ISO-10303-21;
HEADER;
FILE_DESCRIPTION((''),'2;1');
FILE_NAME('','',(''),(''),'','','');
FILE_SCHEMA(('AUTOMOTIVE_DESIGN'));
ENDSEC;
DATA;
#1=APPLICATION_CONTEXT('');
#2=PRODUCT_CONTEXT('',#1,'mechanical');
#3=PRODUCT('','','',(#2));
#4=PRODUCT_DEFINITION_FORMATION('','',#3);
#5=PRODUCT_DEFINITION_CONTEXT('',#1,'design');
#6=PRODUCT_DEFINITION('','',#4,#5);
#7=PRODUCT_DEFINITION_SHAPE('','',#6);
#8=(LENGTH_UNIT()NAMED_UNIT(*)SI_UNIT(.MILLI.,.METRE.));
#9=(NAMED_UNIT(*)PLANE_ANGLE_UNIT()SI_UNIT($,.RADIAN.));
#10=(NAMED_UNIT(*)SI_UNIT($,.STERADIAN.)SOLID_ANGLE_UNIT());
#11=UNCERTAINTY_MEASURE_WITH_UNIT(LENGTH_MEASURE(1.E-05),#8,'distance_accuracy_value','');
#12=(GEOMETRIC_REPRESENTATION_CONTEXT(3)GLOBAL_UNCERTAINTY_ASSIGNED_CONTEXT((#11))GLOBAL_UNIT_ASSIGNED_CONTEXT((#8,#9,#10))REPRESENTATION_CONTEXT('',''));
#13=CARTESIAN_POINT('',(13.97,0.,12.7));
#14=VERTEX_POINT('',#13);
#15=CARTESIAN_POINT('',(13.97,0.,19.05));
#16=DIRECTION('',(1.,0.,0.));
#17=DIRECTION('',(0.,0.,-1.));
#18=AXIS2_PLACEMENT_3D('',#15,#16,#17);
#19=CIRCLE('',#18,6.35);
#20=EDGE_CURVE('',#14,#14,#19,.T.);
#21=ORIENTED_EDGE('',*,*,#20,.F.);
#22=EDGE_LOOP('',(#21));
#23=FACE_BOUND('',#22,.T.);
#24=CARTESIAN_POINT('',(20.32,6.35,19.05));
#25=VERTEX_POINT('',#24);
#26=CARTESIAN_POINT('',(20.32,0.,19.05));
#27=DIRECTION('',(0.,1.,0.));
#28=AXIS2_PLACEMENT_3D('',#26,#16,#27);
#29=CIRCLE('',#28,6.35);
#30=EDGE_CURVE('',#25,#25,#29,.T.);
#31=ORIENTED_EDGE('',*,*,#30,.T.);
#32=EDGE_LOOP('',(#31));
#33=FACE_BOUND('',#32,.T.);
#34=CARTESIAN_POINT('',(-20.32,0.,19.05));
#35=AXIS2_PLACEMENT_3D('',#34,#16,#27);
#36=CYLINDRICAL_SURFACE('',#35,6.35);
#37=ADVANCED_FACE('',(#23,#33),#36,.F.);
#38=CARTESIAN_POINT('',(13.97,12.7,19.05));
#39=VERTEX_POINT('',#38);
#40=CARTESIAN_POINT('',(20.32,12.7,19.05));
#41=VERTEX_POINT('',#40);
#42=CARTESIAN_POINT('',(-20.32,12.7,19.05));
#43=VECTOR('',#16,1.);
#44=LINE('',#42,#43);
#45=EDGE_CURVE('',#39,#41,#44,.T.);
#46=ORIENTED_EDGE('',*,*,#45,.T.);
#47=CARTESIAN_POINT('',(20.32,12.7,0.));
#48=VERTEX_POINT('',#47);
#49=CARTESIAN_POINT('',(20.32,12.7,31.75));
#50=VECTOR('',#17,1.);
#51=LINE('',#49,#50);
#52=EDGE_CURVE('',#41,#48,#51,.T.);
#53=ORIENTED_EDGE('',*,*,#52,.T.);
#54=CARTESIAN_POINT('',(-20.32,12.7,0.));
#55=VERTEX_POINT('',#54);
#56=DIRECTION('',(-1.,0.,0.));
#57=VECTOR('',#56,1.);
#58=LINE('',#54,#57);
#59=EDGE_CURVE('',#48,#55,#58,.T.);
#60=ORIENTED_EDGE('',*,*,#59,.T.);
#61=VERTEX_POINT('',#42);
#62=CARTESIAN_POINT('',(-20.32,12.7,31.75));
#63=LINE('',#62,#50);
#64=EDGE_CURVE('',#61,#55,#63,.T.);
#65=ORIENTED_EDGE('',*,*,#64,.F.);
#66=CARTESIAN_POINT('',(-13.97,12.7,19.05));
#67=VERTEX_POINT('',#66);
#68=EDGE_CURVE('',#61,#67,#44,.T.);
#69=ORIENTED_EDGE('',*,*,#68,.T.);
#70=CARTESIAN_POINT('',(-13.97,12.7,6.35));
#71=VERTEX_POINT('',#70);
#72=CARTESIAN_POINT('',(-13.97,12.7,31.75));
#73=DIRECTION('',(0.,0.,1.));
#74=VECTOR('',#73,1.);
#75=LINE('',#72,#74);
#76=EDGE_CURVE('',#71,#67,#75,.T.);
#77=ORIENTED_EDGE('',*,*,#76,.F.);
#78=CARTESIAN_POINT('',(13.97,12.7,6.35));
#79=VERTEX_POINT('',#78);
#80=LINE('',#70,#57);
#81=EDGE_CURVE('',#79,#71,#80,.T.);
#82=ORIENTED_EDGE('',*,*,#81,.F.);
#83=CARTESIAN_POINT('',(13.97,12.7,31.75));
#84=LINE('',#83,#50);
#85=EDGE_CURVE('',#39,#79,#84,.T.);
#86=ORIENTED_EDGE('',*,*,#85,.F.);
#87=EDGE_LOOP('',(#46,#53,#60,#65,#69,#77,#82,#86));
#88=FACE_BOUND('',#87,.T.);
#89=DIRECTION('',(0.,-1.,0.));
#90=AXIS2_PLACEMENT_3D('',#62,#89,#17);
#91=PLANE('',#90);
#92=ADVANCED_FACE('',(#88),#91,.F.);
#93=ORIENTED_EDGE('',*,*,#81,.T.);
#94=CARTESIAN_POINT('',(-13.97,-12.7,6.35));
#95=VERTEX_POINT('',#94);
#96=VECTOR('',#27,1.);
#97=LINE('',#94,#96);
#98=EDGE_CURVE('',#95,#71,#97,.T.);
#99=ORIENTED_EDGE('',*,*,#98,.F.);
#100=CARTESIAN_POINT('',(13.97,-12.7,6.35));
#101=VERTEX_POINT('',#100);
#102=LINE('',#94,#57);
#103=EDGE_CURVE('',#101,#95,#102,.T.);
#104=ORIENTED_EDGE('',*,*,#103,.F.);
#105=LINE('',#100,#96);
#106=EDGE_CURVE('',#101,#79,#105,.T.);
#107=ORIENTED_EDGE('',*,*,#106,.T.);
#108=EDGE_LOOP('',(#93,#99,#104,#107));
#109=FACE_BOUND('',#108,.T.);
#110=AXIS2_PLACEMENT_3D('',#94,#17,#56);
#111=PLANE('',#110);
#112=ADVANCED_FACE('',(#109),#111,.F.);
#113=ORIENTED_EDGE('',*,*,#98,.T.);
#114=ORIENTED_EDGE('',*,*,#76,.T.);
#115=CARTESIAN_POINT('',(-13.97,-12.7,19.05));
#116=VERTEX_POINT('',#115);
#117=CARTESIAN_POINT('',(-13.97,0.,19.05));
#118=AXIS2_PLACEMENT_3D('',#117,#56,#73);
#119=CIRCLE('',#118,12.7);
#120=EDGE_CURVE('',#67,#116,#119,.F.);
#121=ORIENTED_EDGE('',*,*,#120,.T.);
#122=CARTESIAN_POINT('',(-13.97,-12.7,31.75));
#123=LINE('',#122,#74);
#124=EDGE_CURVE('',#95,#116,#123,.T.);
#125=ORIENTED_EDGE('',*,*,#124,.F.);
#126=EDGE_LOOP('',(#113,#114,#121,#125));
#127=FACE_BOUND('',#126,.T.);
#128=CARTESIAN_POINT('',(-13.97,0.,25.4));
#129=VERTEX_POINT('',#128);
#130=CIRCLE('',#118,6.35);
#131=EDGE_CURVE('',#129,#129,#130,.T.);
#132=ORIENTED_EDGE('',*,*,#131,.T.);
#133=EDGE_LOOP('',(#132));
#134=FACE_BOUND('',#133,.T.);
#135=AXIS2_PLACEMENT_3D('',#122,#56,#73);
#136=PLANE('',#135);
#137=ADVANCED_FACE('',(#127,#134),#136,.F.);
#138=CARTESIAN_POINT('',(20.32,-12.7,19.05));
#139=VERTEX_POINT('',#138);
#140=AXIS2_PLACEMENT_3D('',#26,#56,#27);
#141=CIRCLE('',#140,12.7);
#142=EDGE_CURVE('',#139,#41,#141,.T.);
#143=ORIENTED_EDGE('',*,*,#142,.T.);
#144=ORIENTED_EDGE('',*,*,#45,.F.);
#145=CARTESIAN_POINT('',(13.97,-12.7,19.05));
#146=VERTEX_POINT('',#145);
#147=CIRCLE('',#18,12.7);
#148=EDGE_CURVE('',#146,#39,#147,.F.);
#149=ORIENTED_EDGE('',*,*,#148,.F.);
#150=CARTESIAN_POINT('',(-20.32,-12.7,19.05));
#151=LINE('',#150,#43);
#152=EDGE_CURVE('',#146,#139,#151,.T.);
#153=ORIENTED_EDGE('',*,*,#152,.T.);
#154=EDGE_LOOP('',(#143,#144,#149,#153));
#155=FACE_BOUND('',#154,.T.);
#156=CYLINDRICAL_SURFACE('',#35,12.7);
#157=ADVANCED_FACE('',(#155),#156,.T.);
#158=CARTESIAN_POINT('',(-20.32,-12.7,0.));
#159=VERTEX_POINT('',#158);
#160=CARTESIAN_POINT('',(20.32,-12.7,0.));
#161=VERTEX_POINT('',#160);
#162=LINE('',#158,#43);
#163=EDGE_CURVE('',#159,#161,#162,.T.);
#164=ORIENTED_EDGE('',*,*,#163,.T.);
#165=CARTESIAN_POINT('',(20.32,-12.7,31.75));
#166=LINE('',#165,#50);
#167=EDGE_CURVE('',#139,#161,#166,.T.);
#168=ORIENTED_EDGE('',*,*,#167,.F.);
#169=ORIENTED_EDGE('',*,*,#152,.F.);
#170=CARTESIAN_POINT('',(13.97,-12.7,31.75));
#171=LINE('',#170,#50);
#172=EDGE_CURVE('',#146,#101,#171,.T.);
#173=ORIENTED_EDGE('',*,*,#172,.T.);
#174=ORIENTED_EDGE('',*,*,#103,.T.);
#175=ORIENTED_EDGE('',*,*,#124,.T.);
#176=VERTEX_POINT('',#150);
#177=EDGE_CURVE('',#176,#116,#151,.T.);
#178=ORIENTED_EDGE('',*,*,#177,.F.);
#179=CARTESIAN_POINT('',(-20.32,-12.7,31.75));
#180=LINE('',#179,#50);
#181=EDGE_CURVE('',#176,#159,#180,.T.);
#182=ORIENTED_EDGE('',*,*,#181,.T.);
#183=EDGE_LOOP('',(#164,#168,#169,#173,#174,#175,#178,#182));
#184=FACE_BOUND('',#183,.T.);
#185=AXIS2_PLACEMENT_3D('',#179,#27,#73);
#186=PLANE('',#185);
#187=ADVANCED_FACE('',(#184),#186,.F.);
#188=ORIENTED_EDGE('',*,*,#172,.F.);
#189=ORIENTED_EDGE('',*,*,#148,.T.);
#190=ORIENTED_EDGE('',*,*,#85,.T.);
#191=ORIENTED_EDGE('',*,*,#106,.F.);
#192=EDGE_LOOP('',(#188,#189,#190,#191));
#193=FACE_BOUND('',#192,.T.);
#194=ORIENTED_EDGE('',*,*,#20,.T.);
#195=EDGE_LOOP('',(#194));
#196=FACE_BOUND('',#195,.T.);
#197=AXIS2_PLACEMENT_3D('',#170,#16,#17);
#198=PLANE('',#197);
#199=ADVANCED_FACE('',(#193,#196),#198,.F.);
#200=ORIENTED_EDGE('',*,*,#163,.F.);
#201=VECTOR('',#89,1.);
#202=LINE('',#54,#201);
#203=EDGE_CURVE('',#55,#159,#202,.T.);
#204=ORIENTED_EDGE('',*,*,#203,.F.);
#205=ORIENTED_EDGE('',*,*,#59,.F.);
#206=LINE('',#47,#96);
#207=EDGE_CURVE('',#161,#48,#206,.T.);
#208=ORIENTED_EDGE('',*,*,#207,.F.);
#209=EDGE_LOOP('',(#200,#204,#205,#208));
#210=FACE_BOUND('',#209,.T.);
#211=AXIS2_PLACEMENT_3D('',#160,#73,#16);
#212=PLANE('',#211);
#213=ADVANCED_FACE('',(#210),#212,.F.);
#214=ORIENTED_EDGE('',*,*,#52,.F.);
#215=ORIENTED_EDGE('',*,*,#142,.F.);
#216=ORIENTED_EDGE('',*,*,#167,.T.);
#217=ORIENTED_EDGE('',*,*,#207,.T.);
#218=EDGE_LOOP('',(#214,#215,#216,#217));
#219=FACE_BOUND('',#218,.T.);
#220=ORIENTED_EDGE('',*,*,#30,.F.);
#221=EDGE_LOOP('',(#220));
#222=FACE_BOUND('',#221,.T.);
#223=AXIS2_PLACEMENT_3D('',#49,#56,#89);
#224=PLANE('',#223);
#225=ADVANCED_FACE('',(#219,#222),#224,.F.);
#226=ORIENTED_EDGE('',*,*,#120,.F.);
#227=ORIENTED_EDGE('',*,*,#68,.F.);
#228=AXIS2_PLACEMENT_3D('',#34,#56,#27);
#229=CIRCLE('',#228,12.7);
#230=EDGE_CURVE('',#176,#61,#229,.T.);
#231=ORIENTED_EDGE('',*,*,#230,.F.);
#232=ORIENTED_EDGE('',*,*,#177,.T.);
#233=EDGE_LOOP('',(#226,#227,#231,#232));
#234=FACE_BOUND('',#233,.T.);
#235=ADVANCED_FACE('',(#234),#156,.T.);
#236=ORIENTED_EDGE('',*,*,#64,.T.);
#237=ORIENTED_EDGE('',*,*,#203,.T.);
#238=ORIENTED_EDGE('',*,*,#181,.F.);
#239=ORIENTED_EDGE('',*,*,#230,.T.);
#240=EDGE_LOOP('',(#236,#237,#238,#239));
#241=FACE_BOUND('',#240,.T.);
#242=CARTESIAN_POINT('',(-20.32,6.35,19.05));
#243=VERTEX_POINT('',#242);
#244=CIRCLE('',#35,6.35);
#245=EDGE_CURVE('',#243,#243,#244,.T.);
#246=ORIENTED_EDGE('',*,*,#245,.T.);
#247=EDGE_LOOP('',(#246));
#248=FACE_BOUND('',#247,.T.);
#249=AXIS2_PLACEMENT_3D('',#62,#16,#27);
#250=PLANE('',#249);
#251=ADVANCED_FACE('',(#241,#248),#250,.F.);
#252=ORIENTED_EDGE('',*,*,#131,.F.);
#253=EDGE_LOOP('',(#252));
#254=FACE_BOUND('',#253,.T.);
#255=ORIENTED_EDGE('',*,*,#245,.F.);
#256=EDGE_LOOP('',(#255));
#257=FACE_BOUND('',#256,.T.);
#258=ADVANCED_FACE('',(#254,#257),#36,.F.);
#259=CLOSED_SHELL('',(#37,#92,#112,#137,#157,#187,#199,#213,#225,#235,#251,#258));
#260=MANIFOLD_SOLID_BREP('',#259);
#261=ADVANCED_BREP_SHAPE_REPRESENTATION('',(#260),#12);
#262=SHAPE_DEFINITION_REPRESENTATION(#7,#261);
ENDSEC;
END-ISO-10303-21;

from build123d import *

# Parameters (mm, degrees)
SKETCH1_W           = 40.64
SKETCH1_H           = 25.4
BOSS_EXTRUDE1_DEPTH = 31.75
SKETCH3_W           = 27.94
SKETCH3_H           = 25.4
CUT_EXTRUDE1_DEPTH  = 26.4
SKETCH4_R           = 6.35
CUT_EXTRUDE2_DEPTH  = 41.64
CUT_EXTRUDE3_DEPTH  = 41.64


with BuildPart() as part:
    # Sketch1 → Boss-Extrude1 (new body)
    with BuildSketch(Plane.XY):
        Rectangle(SKETCH1_W, SKETCH1_H)
    extrude(amount=BOSS_EXTRUDE1_DEPTH)

    # Sketch3 → Cut-Extrude1 (cut, through all)
    with BuildSketch(Plane(origin=(0, 12.7, 0), x_dir=(1, 0, 0), z_dir=(0, 1, 0))):
        with Locations((0, -19.05)):
            Rectangle(SKETCH3_W, SKETCH3_H)
    extrude(amount=-CUT_EXTRUDE1_DEPTH, mode=Mode.SUBTRACT)

    # Sketch4 → Cut-Extrude2 (cut, through all)
    with BuildSketch(Plane(origin=(20.32, 0, 0), x_dir=(0, 0, -1), z_dir=(1, 0, 0))):
        with Locations(Location((-19.05, 0, 0), (0, 0, 90))):  # turned: the seam where the file's is
            Circle(SKETCH4_R)
    extrude(amount=-CUT_EXTRUDE2_DEPTH, mode=Mode.SUBTRACT)

    # Sketch5 → Cut-Extrude3 (cut, through all)
    with BuildSketch(Plane(origin=(20.32, 0, 0), x_dir=(0, 0, -1), z_dir=(1, 0, 0))):
        with BuildLine():
            Line((-31.75, 12.7), (-19.05, 12.7))
            ThreePointArc((-19.05, 12.7), (-28.030256121, 8.980256121), (-31.75, 0))
            Line((-31.75, 0), (-31.75, 12.7))
        make_face()
    cut_extrude3 = extrude(amount=-CUT_EXTRUDE3_DEPTH, mode=Mode.SUBTRACT)

    # Mirror1: Cut-Extrude3 across plane
    add(cut_extrude3.mirror(Plane.ZX), mode=Mode.SUBTRACT)


solid = part.part
